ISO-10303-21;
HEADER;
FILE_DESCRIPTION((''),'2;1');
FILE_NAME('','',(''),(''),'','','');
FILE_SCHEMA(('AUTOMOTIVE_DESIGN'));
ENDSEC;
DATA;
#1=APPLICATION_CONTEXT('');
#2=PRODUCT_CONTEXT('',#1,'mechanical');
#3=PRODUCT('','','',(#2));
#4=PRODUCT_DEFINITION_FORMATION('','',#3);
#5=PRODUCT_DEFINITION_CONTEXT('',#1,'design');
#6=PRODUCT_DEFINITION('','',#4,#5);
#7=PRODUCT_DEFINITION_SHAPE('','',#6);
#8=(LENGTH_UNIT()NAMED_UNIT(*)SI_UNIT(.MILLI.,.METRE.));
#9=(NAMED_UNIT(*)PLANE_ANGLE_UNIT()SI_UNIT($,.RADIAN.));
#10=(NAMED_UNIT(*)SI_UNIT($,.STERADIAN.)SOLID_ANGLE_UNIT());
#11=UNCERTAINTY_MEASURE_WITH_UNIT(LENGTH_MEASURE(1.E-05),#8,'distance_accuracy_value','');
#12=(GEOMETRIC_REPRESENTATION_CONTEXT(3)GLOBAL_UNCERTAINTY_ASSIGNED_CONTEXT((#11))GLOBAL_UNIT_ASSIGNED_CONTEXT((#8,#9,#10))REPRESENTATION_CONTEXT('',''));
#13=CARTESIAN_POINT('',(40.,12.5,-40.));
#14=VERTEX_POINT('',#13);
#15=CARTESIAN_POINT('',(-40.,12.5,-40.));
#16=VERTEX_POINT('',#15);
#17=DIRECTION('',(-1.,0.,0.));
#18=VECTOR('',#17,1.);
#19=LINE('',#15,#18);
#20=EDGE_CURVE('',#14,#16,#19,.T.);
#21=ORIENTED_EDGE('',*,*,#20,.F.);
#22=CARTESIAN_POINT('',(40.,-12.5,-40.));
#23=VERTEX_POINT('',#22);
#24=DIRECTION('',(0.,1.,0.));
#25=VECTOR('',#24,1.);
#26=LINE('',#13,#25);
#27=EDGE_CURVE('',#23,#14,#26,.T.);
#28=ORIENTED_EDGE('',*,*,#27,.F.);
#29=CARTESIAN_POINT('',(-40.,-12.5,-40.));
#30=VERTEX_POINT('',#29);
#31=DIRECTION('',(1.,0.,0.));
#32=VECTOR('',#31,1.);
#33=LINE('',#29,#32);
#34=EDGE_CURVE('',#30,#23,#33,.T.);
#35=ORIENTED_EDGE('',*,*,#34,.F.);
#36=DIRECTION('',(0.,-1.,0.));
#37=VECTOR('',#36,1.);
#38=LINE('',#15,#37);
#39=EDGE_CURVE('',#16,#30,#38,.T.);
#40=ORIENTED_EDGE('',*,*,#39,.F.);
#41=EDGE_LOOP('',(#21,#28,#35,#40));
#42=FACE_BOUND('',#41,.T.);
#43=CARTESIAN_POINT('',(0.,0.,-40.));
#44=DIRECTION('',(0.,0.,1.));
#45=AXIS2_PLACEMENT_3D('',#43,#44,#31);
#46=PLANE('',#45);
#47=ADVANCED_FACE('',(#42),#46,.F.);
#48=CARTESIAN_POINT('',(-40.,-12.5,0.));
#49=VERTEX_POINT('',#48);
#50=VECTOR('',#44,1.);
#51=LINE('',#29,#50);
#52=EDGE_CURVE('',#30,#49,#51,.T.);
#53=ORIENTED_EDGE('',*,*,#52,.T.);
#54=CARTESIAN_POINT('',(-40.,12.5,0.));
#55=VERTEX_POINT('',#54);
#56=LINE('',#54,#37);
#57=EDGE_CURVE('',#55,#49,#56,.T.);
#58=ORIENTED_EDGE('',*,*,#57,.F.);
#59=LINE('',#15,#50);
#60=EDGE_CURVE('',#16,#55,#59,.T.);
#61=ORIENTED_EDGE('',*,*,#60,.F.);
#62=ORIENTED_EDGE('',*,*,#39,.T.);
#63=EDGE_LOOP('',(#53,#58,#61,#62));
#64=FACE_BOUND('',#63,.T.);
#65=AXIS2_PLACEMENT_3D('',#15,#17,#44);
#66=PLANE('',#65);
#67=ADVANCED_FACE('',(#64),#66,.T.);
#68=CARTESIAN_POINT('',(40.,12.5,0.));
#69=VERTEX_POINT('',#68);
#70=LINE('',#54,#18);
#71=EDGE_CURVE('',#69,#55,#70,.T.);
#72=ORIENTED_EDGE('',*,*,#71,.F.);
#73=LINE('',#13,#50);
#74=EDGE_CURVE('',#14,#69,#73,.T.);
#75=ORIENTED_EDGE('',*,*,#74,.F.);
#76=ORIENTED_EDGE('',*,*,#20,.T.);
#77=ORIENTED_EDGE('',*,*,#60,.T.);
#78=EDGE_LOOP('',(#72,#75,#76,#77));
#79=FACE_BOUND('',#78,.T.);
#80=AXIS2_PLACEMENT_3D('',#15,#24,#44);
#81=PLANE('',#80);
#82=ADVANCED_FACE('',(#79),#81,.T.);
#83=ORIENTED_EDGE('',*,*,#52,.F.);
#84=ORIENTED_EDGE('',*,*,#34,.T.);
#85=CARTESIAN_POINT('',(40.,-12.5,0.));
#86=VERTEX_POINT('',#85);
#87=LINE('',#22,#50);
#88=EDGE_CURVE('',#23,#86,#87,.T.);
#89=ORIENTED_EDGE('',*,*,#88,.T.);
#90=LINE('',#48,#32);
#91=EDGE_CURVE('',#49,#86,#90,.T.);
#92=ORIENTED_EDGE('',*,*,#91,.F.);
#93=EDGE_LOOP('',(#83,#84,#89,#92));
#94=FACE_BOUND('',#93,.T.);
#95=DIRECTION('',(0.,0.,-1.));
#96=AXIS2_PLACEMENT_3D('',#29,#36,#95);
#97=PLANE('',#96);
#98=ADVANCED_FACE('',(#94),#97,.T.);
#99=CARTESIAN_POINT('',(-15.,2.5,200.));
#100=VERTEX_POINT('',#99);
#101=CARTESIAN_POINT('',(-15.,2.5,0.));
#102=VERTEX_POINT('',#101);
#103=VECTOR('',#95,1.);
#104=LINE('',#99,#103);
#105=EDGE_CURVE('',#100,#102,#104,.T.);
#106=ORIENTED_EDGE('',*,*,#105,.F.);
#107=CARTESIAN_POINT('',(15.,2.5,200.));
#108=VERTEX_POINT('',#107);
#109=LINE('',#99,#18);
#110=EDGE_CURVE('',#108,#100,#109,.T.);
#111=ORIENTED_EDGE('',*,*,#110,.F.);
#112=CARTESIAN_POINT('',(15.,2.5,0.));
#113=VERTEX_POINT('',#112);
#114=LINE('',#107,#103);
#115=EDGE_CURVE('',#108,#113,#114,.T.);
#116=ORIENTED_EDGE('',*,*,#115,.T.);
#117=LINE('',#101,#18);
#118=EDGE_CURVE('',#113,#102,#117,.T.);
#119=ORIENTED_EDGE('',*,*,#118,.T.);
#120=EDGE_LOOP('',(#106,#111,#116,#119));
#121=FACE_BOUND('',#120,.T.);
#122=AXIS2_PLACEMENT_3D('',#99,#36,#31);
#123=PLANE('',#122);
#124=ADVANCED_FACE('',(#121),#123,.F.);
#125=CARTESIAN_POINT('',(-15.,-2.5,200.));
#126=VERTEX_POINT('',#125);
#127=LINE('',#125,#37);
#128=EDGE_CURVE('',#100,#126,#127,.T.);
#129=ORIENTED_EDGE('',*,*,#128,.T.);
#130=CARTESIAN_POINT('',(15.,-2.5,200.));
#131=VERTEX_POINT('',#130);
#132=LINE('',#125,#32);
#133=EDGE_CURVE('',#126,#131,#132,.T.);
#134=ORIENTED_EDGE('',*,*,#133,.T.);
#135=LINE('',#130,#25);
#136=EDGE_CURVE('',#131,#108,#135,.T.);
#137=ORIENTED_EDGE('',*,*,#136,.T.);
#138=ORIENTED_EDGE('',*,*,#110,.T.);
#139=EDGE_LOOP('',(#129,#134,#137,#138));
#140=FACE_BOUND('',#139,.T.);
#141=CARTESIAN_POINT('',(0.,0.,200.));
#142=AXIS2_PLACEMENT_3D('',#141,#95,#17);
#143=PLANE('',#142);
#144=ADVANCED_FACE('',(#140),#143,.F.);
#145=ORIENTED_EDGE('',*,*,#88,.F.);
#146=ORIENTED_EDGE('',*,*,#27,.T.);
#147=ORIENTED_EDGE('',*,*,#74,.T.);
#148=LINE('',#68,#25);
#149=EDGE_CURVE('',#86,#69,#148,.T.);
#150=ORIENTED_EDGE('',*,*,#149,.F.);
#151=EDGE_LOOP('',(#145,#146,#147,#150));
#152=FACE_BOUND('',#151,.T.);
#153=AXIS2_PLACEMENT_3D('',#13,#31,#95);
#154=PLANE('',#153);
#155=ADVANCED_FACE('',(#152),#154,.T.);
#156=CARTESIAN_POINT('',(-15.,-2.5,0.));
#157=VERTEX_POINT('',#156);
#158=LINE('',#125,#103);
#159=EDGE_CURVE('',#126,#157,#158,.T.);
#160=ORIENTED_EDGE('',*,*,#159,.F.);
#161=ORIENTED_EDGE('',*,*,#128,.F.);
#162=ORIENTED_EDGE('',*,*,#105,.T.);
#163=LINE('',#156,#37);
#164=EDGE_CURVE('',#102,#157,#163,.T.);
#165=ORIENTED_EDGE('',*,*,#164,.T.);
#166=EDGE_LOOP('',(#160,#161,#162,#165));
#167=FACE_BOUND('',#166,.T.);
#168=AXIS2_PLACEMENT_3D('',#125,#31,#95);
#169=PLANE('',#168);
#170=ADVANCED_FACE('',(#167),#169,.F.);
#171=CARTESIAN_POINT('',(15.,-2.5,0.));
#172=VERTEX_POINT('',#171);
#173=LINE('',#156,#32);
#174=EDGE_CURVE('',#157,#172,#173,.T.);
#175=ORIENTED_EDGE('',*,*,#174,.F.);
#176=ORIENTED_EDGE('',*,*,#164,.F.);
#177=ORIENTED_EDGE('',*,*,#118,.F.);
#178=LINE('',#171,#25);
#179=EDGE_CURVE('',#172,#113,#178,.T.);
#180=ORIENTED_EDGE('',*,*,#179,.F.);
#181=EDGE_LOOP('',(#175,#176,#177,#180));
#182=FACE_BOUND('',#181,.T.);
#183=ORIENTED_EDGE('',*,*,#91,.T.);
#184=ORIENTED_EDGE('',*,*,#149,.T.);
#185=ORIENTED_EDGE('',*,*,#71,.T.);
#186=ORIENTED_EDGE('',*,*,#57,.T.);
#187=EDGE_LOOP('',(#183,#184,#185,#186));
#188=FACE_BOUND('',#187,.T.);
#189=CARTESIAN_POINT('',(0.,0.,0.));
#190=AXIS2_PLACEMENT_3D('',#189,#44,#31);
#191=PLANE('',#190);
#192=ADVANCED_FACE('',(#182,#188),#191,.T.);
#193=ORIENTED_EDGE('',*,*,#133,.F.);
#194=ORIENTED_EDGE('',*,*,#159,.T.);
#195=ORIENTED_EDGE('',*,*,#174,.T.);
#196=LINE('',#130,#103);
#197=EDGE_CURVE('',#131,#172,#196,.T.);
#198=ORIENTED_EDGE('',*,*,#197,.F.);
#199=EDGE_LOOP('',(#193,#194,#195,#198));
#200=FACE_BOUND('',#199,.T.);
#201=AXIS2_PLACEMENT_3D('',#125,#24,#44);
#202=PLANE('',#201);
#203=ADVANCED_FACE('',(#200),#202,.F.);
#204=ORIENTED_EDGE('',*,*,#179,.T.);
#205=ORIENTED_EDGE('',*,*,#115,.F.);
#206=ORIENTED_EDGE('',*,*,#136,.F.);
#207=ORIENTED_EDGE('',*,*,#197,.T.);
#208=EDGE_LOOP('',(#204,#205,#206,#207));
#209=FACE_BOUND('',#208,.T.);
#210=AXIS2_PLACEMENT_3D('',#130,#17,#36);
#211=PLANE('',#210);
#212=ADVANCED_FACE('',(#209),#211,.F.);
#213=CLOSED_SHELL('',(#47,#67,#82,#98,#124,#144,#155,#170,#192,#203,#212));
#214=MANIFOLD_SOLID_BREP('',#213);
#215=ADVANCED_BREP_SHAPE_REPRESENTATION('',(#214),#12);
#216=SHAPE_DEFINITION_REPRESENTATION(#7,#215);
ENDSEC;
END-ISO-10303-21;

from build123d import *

# Parameters (mm, degrees)
SKETCH1_W           = 30
SKETCH1_H           = 5
BOSS_EXTRUDE1_DEPTH = 200
SKETCH2_W           = 80
SKETCH2_H           = 25
BOSS_EXTRUDE2_DEPTH = 40


with BuildPart() as part:
    # Sketch1 → Boss-Extrude1 (new body)
    with BuildSketch(Plane.XY):
        Rectangle(SKETCH1_W, SKETCH1_H)
    extrude(amount=BOSS_EXTRUDE1_DEPTH)

    # Sketch2 → Boss-Extrude2 (add)
    with BuildSketch(Plane.XY):
        Rectangle(SKETCH2_W, SKETCH2_H)
    extrude(amount=-BOSS_EXTRUDE2_DEPTH)


solid = part.part
